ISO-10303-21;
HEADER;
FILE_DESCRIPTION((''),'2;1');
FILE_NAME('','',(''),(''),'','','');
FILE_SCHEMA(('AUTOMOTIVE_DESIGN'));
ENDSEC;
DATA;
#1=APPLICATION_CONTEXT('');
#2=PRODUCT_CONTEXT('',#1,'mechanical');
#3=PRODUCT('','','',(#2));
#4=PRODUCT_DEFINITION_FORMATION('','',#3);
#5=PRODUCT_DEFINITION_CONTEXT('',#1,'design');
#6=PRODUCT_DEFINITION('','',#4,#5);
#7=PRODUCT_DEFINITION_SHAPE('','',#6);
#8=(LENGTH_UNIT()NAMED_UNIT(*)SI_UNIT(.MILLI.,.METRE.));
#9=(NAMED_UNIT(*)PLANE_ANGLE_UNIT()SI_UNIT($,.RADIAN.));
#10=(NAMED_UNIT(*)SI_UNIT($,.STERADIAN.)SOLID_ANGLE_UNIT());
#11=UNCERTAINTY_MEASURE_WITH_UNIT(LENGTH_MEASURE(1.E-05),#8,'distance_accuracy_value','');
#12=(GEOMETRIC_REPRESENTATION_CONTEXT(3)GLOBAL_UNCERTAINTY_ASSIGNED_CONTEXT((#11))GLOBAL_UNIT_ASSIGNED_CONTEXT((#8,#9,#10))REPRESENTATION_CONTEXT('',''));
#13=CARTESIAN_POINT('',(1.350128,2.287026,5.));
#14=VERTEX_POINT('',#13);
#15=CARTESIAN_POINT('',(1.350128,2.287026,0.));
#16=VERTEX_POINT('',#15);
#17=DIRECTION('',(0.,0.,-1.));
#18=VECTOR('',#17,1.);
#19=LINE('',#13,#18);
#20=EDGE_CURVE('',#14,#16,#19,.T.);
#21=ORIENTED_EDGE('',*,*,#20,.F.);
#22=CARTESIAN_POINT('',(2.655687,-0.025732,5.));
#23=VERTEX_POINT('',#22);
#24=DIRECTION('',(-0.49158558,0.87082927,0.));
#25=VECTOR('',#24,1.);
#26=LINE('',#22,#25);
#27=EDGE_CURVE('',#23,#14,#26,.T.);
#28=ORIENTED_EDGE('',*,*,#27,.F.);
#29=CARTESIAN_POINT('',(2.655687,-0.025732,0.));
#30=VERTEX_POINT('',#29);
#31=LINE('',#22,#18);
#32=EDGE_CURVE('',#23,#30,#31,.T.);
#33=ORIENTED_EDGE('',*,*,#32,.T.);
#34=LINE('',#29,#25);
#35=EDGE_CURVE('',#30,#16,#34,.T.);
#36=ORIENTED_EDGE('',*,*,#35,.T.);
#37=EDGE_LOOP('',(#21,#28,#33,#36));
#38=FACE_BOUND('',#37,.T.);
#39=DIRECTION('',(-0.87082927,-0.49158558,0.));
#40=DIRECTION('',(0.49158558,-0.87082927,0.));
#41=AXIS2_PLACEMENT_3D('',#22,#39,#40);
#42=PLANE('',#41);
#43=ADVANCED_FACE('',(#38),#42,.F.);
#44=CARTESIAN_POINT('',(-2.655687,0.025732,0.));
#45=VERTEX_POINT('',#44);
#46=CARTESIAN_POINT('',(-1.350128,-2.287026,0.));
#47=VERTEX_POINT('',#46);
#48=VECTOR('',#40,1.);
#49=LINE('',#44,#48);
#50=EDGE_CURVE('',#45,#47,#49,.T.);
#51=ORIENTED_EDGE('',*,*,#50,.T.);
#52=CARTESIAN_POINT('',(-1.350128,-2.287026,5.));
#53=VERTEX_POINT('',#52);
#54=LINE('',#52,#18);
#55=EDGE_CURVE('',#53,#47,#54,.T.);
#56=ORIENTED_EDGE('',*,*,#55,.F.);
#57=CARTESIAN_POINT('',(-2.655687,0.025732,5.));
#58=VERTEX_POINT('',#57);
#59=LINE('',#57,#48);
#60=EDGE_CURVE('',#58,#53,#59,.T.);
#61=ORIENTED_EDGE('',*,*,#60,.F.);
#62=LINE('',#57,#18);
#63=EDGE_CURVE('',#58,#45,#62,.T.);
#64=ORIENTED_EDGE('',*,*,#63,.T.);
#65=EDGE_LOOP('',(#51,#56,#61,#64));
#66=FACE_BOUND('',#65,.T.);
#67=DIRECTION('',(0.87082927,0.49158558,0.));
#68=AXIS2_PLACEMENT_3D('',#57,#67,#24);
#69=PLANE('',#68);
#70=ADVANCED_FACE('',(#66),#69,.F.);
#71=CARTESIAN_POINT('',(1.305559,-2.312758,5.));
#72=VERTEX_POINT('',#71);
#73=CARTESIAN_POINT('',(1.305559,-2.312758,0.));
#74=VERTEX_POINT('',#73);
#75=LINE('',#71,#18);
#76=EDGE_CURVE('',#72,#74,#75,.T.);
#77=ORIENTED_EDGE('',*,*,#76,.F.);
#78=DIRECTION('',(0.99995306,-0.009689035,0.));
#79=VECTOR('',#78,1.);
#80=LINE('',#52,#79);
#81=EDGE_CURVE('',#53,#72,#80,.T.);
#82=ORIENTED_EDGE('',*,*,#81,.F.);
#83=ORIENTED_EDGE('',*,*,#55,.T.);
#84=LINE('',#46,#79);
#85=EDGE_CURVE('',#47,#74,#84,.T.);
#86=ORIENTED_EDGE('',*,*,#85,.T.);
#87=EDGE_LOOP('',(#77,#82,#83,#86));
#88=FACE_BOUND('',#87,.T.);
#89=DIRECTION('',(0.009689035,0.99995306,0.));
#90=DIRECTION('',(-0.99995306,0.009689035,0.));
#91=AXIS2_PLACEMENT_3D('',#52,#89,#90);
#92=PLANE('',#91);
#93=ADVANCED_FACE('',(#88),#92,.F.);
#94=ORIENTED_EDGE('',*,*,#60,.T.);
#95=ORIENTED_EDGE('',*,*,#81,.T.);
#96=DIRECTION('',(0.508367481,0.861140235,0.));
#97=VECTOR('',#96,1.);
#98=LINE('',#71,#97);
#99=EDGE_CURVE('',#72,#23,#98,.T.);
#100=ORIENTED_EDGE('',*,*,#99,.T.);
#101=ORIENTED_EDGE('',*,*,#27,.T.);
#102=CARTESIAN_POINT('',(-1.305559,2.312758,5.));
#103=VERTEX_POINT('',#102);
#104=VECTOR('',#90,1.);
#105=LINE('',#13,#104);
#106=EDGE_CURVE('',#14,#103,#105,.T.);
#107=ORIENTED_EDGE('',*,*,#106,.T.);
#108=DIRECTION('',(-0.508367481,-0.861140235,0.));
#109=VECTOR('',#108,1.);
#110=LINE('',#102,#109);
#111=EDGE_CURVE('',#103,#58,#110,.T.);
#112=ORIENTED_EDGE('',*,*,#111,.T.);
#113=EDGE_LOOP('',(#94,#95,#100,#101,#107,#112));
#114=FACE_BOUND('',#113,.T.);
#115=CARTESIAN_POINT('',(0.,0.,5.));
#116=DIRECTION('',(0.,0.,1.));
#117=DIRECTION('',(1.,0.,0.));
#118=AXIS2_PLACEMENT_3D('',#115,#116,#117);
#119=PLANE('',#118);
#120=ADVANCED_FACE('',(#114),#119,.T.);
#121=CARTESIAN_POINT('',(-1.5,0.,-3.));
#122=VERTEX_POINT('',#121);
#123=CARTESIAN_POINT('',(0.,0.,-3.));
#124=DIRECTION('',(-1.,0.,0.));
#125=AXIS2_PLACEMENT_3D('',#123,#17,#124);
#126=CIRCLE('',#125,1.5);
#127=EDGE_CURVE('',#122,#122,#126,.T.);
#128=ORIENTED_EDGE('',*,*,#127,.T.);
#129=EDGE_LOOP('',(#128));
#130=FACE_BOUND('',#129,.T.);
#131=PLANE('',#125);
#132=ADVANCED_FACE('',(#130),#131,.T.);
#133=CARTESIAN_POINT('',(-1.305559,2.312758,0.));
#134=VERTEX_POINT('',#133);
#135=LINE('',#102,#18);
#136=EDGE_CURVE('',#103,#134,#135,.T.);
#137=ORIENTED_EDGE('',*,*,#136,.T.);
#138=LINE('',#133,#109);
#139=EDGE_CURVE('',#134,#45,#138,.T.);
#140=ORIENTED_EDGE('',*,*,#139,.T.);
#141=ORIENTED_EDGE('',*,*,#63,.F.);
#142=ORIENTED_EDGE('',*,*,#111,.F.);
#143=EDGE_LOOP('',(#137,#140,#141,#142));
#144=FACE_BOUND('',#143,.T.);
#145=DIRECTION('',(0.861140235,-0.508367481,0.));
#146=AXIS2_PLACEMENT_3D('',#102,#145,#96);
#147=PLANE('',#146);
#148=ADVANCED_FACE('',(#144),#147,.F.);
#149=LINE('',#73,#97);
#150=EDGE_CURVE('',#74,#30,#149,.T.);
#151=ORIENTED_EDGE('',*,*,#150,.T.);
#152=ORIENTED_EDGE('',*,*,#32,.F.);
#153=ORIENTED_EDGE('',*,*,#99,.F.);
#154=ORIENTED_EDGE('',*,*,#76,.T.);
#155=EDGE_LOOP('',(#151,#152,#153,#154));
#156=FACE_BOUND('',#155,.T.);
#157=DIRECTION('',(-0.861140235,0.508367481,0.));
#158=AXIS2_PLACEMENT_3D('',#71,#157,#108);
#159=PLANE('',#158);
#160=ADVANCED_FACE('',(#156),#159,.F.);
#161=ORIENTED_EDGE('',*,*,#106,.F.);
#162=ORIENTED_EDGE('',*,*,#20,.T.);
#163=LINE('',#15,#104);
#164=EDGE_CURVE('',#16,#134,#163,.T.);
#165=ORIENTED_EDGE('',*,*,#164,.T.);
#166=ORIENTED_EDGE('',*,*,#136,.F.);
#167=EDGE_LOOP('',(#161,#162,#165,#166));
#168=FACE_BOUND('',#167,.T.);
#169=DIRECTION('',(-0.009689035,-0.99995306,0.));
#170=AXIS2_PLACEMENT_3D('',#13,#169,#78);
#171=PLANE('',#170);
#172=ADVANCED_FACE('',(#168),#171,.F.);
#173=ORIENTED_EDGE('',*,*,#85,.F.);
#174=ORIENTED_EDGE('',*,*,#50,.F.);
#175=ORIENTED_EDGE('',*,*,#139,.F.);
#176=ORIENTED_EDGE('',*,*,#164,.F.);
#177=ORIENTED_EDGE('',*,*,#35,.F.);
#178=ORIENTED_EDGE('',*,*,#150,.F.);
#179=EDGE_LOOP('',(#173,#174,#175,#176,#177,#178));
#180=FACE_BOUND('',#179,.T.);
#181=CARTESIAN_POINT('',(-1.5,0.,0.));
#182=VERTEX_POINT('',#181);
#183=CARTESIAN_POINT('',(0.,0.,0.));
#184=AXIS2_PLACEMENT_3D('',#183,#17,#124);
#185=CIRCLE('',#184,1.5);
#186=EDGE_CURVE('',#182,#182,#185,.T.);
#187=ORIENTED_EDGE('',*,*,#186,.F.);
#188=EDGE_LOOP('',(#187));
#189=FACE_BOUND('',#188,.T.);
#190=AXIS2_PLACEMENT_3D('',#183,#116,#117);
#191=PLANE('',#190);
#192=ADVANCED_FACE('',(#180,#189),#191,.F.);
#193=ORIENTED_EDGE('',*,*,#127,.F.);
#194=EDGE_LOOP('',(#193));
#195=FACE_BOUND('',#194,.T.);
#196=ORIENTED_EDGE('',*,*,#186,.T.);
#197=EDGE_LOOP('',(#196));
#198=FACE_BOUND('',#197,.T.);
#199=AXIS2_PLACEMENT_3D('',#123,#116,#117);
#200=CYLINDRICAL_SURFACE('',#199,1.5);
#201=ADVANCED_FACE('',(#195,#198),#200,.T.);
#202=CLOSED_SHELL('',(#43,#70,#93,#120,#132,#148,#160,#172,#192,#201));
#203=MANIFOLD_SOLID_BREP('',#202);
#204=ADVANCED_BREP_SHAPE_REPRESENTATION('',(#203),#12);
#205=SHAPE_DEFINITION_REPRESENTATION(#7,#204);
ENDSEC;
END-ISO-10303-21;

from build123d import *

# Parameters (mm, degrees)
EXTRUDE_1_DEPTH = 5
SKETCH_2_R      = 1.5
EXTRUDE_2_DEPTH = 3


with BuildPart() as part:
    # 草图1 → 凸台-拉伸1 (new body)
    with BuildSketch(Plane.XY):
        Polygon((1.305558507, -2.312758163), (2.655686575, -0.025732248), (1.350128068, 2.287025914), (-1.305558507, 2.312758163), (-2.655686575, 0.025732248), (-1.350128068, -2.287025914), align=None)
    extrude(amount=EXTRUDE_1_DEPTH)

    # 草图2 → 凸台-拉伸2 (add)
    with BuildSketch(Plane(origin=(0, 0, 0), x_dir=(-1, 0, 0), z_dir=(0, 0, -1))):
        Circle(SKETCH_2_R)
    extrude(amount=EXTRUDE_2_DEPTH)


solid = part.part
